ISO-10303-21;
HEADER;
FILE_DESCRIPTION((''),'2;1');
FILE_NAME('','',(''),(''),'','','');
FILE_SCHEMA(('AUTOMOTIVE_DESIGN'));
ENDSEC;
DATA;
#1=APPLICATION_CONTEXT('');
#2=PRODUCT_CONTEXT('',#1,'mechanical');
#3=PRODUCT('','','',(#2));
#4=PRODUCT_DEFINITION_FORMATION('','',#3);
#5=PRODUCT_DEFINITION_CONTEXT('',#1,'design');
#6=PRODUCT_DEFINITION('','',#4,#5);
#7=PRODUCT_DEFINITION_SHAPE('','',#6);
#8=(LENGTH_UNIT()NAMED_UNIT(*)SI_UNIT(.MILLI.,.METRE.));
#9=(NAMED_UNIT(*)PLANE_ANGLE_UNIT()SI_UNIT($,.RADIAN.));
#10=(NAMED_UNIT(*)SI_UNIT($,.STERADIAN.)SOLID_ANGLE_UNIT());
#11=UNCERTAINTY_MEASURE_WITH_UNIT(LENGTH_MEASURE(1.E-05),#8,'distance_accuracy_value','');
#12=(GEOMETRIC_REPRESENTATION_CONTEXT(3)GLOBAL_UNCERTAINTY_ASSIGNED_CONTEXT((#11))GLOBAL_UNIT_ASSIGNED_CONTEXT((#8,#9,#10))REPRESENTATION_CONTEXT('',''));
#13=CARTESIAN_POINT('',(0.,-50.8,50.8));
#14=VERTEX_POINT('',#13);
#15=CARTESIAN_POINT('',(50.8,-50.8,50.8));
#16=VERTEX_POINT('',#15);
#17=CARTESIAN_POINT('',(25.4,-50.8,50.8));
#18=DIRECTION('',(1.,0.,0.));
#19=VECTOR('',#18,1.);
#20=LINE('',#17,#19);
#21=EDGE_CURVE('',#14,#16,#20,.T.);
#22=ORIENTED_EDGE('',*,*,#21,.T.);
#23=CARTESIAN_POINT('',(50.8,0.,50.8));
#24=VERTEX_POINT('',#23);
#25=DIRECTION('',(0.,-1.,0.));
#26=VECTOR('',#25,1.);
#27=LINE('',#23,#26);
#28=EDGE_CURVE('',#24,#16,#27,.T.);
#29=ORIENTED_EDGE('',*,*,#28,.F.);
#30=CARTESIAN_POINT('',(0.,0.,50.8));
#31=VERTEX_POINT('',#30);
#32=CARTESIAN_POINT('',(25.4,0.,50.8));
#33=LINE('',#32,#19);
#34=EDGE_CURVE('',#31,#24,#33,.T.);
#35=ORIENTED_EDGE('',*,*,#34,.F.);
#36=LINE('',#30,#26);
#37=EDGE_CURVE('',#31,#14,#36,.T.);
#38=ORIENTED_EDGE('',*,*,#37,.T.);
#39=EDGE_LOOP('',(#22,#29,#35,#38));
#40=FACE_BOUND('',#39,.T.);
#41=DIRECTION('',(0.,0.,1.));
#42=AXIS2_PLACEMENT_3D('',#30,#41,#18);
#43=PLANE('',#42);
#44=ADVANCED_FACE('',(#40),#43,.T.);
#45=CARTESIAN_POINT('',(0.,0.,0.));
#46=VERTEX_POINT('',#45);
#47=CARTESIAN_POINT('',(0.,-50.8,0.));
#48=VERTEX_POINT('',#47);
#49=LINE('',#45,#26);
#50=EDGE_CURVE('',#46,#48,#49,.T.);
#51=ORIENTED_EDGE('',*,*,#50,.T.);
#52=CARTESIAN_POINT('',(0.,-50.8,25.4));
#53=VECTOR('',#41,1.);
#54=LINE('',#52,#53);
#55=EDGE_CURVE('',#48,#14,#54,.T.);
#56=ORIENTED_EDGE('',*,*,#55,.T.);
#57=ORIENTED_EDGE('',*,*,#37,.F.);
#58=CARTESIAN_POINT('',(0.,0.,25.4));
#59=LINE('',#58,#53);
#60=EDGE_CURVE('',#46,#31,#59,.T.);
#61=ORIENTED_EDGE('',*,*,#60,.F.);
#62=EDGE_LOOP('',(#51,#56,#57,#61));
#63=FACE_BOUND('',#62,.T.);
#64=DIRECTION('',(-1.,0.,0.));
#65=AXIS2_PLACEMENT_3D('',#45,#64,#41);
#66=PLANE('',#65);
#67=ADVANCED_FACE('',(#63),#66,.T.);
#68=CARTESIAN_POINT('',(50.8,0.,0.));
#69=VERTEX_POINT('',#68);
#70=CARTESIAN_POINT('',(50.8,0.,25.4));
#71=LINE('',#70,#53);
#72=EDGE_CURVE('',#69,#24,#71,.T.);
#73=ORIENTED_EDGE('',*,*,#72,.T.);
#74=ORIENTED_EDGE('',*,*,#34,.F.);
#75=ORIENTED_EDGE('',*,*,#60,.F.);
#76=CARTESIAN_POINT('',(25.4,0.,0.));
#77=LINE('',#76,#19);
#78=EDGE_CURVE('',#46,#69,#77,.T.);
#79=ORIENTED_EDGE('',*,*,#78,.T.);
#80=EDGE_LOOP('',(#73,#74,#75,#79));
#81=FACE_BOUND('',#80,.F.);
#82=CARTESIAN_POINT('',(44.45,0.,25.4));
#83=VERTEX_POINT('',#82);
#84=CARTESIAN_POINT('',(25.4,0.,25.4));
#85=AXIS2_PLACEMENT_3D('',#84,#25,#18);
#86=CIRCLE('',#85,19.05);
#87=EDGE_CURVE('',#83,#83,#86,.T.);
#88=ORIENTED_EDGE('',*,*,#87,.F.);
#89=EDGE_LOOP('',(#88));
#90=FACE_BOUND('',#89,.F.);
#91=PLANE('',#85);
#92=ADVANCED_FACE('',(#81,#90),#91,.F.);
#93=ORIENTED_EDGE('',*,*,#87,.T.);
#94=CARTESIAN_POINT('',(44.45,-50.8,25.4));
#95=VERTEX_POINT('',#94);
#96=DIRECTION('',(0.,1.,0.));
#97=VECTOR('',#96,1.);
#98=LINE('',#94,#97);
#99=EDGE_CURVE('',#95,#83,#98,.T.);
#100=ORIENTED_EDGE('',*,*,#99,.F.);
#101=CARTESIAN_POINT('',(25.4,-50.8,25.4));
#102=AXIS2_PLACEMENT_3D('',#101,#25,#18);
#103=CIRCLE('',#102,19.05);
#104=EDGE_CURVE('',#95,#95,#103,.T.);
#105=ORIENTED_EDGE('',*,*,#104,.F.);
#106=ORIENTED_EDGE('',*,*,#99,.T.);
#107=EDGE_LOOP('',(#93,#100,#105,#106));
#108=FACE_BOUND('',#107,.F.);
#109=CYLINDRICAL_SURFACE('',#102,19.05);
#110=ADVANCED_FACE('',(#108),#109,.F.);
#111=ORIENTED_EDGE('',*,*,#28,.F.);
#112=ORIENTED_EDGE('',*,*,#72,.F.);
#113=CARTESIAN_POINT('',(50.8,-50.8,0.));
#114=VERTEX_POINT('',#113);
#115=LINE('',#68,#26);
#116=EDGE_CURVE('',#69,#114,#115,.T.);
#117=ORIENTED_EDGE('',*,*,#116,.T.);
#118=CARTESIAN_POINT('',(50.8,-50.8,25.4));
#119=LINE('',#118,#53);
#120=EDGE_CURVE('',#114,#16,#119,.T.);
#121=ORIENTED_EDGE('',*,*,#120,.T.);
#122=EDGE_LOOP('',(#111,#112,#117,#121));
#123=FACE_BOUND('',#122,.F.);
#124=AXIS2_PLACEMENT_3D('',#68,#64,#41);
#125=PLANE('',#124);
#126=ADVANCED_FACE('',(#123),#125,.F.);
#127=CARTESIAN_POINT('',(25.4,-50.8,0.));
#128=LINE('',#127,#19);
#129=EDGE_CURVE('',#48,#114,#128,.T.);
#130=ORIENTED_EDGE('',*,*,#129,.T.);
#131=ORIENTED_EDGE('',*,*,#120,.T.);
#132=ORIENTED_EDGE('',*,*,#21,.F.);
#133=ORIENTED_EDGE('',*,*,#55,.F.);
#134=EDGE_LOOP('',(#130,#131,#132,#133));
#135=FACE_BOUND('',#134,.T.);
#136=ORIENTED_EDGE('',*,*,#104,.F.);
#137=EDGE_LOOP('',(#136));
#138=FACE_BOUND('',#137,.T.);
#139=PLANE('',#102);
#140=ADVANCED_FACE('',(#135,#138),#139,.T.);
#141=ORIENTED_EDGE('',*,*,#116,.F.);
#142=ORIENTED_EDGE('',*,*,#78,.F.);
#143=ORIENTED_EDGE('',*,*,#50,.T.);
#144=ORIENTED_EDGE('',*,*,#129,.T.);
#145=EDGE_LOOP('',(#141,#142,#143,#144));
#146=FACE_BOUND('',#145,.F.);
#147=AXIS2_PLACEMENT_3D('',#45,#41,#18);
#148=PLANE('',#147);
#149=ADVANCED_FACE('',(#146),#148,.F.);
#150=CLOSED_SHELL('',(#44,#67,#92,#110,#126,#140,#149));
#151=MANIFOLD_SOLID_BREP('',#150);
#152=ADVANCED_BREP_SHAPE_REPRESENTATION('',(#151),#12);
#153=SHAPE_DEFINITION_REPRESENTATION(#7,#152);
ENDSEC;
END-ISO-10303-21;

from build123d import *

# Parameters (mm, degrees)
F0_W     = 50.8
F0_H     = 50.8
F1_DEPTH = 50.8
F2_R     = 15.755005
F3_DEPTH = 50.8
F4_R     = 19.05
F5_DEPTH = 50.8


with BuildPart() as f1:
    # F0 (on Front) → F1 (new body)
    with BuildSketch(Plane.XZ):
        with Locations((25.4, 25.4)):
            Rectangle(F0_W, F0_H)
    extrude(amount=F1_DEPTH)

    # F2 (on face) → F3 (cut)
    with BuildSketch(Plane.XZ.offset(50.8)):
        with Locations((24.034012, 24.344128)):
            Circle(F2_R)
    extrude(amount=F3_DEPTH, mode=Mode.SUBTRACT)

    # F4 (on face) → F5 (cut)
    with BuildSketch(Plane.XZ.offset(50.8)):
        with Locations((25.4, 25.4)):
            Circle(F4_R)
    extrude(amount=-F5_DEPTH, mode=Mode.SUBTRACT)


solid = f1.part
